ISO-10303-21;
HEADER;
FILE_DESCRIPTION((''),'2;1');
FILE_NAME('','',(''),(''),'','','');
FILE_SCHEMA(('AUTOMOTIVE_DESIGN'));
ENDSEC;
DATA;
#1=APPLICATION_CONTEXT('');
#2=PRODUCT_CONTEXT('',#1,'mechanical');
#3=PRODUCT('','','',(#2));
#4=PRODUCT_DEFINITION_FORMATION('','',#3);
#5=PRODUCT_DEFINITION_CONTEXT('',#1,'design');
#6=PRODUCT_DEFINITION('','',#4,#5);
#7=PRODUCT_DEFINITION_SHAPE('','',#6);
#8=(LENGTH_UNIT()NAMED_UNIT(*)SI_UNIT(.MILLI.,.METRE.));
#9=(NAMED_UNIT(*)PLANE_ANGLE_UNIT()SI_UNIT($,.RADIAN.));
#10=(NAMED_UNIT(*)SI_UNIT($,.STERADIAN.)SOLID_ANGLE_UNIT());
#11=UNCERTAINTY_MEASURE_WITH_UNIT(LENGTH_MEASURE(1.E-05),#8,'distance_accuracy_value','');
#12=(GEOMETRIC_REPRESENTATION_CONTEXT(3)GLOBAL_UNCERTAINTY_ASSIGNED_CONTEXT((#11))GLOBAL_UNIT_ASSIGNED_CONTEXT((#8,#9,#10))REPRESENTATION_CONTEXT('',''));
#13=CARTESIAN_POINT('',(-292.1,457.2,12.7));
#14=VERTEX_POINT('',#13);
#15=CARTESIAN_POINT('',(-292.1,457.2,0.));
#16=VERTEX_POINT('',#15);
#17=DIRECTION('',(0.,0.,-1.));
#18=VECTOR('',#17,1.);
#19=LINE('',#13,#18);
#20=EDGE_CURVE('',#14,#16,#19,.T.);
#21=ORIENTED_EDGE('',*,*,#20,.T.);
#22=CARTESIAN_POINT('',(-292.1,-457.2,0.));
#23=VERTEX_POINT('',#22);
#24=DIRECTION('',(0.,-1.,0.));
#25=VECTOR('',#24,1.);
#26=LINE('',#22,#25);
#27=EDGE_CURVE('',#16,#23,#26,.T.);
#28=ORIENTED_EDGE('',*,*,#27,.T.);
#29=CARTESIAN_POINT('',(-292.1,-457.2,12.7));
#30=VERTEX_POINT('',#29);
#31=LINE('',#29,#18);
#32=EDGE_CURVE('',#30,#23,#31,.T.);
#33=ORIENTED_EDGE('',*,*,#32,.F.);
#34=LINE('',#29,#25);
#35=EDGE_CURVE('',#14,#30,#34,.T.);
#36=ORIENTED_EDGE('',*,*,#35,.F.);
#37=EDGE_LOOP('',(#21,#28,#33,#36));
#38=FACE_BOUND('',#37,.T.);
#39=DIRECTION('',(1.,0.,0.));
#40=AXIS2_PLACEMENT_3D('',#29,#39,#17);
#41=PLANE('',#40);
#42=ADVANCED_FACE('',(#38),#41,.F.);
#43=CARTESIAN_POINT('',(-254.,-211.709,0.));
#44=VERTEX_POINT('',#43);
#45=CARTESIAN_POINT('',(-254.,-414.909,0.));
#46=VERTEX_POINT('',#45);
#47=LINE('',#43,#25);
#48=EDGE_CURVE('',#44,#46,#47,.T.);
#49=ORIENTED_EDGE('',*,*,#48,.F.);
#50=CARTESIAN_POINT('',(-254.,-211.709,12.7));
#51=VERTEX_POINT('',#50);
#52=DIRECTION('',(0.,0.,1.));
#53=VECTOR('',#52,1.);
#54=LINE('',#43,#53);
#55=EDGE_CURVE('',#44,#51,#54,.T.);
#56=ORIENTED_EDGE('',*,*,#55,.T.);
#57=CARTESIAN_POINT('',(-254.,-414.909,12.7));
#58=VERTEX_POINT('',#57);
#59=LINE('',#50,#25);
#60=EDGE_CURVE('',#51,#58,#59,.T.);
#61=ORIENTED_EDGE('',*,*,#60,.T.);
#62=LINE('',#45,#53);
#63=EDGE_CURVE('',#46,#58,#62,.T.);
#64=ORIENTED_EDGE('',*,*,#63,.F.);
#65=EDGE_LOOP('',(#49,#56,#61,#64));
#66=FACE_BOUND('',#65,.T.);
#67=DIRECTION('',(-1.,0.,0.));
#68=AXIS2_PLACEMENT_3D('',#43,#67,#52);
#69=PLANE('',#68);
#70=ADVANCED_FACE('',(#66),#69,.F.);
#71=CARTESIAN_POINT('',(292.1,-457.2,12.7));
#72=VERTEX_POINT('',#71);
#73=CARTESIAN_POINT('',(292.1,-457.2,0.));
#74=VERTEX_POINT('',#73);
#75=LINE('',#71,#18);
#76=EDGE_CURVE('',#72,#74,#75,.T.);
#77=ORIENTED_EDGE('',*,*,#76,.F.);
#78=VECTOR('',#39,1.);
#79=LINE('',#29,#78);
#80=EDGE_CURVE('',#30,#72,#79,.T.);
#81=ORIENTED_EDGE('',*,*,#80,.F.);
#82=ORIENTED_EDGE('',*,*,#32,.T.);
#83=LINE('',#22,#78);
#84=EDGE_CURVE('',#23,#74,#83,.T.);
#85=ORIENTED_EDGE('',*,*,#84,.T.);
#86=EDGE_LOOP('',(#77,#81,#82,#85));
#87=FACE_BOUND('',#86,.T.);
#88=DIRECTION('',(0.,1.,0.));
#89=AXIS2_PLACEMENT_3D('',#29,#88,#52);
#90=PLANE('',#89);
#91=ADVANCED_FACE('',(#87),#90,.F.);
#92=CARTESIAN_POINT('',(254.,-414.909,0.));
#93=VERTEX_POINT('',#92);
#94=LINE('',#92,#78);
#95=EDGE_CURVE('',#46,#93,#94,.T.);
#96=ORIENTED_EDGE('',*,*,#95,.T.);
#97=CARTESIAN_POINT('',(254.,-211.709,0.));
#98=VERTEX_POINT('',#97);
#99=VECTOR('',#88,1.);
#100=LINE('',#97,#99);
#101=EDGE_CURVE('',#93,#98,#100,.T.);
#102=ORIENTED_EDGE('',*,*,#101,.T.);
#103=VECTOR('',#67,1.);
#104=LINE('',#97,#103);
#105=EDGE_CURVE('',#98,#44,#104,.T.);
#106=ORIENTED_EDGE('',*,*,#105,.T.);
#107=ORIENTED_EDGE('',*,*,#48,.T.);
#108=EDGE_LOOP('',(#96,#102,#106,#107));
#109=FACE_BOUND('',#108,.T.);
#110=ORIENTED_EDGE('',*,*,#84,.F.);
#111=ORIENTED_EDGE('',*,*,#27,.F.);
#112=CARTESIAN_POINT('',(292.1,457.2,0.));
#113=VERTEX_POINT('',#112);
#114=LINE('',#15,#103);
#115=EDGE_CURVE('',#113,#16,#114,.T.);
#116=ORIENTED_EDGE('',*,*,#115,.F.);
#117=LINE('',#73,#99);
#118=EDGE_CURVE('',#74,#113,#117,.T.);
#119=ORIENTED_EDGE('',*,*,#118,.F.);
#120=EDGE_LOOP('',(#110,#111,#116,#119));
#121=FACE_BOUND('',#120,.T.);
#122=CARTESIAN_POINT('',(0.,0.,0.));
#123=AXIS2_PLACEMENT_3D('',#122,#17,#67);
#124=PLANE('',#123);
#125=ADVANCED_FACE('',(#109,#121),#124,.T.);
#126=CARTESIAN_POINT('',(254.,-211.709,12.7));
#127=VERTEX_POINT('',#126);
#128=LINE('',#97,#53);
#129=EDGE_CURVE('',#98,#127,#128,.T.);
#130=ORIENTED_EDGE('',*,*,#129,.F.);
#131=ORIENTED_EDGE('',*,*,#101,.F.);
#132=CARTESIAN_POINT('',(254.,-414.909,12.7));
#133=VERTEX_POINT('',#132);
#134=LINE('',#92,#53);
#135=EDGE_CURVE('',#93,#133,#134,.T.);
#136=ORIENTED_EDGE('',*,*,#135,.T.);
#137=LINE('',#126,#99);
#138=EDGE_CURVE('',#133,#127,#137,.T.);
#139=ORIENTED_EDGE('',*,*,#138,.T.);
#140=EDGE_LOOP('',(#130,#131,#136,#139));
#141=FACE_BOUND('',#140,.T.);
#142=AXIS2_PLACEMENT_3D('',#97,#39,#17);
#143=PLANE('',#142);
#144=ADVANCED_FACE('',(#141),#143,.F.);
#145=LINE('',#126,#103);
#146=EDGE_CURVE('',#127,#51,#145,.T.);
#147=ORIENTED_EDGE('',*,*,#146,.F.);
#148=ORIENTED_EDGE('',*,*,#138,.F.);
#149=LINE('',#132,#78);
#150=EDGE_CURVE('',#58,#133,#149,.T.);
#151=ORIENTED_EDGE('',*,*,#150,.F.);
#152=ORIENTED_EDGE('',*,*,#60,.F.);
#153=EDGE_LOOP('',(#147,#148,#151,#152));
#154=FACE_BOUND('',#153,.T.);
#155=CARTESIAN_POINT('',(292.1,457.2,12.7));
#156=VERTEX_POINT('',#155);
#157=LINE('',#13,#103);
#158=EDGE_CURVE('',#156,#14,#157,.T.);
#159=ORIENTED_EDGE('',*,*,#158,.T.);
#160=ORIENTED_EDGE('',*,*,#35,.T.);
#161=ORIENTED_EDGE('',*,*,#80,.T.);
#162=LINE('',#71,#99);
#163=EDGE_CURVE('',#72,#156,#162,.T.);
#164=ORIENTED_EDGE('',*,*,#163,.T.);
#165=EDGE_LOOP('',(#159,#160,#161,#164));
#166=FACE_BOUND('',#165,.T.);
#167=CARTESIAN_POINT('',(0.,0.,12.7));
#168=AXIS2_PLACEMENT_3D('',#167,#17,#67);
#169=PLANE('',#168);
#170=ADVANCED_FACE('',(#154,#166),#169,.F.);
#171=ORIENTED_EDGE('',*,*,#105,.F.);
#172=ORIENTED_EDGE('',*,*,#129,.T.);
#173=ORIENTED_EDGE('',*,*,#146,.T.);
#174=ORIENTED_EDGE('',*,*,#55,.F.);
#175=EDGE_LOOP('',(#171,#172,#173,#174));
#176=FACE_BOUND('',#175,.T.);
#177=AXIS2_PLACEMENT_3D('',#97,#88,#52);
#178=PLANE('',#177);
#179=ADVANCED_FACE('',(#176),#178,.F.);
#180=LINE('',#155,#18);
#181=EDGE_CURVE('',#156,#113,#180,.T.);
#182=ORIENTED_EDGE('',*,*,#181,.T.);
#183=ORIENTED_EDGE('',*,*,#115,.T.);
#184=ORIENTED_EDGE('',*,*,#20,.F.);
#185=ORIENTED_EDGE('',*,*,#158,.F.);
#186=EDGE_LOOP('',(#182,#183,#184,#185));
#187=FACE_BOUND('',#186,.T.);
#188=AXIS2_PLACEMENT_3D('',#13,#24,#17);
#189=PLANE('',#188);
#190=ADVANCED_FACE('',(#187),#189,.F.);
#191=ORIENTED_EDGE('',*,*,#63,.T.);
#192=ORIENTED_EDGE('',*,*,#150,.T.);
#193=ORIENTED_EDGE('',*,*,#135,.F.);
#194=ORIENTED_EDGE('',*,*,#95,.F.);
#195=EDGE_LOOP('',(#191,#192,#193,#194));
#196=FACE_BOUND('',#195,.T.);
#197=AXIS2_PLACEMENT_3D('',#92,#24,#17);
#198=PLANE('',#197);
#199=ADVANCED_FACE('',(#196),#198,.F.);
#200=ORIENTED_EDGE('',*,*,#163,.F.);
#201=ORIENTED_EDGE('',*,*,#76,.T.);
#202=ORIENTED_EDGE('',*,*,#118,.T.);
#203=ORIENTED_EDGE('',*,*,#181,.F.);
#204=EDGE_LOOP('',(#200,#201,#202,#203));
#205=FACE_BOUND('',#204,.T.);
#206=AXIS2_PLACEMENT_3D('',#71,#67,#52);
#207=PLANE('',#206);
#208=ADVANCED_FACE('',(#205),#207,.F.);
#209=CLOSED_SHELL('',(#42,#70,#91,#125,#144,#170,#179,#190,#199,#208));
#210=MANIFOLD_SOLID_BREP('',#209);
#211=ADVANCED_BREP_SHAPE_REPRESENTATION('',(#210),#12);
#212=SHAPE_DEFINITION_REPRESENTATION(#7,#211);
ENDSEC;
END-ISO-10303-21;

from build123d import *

# Parameters (mm, degrees)
SKETCH1_W           = 584.2
SKETCH1_H           = 914.4
BOSS_EXTRUDE1_DEPTH = 12.7
SKETCH2_W           = 508
SKETCH2_H           = 203.2
CUT_EXTRUDE1_DEPTH  = 13.7


with BuildPart() as part:
    # Sketch1 → Boss-Extrude1 (new body)
    with BuildSketch(Plane.XY):
        Rectangle(SKETCH1_W, SKETCH1_H)
    extrude(amount=BOSS_EXTRUDE1_DEPTH)

    # Sketch2 → Cut-Extrude1 (cut, through all)
    with BuildSketch(Plane.XY.offset(12.7)):
        with Locations((0, -313.309)):
            Rectangle(SKETCH2_W, SKETCH2_H)
    extrude(amount=-CUT_EXTRUDE1_DEPTH, mode=Mode.SUBTRACT)


solid = part.part
